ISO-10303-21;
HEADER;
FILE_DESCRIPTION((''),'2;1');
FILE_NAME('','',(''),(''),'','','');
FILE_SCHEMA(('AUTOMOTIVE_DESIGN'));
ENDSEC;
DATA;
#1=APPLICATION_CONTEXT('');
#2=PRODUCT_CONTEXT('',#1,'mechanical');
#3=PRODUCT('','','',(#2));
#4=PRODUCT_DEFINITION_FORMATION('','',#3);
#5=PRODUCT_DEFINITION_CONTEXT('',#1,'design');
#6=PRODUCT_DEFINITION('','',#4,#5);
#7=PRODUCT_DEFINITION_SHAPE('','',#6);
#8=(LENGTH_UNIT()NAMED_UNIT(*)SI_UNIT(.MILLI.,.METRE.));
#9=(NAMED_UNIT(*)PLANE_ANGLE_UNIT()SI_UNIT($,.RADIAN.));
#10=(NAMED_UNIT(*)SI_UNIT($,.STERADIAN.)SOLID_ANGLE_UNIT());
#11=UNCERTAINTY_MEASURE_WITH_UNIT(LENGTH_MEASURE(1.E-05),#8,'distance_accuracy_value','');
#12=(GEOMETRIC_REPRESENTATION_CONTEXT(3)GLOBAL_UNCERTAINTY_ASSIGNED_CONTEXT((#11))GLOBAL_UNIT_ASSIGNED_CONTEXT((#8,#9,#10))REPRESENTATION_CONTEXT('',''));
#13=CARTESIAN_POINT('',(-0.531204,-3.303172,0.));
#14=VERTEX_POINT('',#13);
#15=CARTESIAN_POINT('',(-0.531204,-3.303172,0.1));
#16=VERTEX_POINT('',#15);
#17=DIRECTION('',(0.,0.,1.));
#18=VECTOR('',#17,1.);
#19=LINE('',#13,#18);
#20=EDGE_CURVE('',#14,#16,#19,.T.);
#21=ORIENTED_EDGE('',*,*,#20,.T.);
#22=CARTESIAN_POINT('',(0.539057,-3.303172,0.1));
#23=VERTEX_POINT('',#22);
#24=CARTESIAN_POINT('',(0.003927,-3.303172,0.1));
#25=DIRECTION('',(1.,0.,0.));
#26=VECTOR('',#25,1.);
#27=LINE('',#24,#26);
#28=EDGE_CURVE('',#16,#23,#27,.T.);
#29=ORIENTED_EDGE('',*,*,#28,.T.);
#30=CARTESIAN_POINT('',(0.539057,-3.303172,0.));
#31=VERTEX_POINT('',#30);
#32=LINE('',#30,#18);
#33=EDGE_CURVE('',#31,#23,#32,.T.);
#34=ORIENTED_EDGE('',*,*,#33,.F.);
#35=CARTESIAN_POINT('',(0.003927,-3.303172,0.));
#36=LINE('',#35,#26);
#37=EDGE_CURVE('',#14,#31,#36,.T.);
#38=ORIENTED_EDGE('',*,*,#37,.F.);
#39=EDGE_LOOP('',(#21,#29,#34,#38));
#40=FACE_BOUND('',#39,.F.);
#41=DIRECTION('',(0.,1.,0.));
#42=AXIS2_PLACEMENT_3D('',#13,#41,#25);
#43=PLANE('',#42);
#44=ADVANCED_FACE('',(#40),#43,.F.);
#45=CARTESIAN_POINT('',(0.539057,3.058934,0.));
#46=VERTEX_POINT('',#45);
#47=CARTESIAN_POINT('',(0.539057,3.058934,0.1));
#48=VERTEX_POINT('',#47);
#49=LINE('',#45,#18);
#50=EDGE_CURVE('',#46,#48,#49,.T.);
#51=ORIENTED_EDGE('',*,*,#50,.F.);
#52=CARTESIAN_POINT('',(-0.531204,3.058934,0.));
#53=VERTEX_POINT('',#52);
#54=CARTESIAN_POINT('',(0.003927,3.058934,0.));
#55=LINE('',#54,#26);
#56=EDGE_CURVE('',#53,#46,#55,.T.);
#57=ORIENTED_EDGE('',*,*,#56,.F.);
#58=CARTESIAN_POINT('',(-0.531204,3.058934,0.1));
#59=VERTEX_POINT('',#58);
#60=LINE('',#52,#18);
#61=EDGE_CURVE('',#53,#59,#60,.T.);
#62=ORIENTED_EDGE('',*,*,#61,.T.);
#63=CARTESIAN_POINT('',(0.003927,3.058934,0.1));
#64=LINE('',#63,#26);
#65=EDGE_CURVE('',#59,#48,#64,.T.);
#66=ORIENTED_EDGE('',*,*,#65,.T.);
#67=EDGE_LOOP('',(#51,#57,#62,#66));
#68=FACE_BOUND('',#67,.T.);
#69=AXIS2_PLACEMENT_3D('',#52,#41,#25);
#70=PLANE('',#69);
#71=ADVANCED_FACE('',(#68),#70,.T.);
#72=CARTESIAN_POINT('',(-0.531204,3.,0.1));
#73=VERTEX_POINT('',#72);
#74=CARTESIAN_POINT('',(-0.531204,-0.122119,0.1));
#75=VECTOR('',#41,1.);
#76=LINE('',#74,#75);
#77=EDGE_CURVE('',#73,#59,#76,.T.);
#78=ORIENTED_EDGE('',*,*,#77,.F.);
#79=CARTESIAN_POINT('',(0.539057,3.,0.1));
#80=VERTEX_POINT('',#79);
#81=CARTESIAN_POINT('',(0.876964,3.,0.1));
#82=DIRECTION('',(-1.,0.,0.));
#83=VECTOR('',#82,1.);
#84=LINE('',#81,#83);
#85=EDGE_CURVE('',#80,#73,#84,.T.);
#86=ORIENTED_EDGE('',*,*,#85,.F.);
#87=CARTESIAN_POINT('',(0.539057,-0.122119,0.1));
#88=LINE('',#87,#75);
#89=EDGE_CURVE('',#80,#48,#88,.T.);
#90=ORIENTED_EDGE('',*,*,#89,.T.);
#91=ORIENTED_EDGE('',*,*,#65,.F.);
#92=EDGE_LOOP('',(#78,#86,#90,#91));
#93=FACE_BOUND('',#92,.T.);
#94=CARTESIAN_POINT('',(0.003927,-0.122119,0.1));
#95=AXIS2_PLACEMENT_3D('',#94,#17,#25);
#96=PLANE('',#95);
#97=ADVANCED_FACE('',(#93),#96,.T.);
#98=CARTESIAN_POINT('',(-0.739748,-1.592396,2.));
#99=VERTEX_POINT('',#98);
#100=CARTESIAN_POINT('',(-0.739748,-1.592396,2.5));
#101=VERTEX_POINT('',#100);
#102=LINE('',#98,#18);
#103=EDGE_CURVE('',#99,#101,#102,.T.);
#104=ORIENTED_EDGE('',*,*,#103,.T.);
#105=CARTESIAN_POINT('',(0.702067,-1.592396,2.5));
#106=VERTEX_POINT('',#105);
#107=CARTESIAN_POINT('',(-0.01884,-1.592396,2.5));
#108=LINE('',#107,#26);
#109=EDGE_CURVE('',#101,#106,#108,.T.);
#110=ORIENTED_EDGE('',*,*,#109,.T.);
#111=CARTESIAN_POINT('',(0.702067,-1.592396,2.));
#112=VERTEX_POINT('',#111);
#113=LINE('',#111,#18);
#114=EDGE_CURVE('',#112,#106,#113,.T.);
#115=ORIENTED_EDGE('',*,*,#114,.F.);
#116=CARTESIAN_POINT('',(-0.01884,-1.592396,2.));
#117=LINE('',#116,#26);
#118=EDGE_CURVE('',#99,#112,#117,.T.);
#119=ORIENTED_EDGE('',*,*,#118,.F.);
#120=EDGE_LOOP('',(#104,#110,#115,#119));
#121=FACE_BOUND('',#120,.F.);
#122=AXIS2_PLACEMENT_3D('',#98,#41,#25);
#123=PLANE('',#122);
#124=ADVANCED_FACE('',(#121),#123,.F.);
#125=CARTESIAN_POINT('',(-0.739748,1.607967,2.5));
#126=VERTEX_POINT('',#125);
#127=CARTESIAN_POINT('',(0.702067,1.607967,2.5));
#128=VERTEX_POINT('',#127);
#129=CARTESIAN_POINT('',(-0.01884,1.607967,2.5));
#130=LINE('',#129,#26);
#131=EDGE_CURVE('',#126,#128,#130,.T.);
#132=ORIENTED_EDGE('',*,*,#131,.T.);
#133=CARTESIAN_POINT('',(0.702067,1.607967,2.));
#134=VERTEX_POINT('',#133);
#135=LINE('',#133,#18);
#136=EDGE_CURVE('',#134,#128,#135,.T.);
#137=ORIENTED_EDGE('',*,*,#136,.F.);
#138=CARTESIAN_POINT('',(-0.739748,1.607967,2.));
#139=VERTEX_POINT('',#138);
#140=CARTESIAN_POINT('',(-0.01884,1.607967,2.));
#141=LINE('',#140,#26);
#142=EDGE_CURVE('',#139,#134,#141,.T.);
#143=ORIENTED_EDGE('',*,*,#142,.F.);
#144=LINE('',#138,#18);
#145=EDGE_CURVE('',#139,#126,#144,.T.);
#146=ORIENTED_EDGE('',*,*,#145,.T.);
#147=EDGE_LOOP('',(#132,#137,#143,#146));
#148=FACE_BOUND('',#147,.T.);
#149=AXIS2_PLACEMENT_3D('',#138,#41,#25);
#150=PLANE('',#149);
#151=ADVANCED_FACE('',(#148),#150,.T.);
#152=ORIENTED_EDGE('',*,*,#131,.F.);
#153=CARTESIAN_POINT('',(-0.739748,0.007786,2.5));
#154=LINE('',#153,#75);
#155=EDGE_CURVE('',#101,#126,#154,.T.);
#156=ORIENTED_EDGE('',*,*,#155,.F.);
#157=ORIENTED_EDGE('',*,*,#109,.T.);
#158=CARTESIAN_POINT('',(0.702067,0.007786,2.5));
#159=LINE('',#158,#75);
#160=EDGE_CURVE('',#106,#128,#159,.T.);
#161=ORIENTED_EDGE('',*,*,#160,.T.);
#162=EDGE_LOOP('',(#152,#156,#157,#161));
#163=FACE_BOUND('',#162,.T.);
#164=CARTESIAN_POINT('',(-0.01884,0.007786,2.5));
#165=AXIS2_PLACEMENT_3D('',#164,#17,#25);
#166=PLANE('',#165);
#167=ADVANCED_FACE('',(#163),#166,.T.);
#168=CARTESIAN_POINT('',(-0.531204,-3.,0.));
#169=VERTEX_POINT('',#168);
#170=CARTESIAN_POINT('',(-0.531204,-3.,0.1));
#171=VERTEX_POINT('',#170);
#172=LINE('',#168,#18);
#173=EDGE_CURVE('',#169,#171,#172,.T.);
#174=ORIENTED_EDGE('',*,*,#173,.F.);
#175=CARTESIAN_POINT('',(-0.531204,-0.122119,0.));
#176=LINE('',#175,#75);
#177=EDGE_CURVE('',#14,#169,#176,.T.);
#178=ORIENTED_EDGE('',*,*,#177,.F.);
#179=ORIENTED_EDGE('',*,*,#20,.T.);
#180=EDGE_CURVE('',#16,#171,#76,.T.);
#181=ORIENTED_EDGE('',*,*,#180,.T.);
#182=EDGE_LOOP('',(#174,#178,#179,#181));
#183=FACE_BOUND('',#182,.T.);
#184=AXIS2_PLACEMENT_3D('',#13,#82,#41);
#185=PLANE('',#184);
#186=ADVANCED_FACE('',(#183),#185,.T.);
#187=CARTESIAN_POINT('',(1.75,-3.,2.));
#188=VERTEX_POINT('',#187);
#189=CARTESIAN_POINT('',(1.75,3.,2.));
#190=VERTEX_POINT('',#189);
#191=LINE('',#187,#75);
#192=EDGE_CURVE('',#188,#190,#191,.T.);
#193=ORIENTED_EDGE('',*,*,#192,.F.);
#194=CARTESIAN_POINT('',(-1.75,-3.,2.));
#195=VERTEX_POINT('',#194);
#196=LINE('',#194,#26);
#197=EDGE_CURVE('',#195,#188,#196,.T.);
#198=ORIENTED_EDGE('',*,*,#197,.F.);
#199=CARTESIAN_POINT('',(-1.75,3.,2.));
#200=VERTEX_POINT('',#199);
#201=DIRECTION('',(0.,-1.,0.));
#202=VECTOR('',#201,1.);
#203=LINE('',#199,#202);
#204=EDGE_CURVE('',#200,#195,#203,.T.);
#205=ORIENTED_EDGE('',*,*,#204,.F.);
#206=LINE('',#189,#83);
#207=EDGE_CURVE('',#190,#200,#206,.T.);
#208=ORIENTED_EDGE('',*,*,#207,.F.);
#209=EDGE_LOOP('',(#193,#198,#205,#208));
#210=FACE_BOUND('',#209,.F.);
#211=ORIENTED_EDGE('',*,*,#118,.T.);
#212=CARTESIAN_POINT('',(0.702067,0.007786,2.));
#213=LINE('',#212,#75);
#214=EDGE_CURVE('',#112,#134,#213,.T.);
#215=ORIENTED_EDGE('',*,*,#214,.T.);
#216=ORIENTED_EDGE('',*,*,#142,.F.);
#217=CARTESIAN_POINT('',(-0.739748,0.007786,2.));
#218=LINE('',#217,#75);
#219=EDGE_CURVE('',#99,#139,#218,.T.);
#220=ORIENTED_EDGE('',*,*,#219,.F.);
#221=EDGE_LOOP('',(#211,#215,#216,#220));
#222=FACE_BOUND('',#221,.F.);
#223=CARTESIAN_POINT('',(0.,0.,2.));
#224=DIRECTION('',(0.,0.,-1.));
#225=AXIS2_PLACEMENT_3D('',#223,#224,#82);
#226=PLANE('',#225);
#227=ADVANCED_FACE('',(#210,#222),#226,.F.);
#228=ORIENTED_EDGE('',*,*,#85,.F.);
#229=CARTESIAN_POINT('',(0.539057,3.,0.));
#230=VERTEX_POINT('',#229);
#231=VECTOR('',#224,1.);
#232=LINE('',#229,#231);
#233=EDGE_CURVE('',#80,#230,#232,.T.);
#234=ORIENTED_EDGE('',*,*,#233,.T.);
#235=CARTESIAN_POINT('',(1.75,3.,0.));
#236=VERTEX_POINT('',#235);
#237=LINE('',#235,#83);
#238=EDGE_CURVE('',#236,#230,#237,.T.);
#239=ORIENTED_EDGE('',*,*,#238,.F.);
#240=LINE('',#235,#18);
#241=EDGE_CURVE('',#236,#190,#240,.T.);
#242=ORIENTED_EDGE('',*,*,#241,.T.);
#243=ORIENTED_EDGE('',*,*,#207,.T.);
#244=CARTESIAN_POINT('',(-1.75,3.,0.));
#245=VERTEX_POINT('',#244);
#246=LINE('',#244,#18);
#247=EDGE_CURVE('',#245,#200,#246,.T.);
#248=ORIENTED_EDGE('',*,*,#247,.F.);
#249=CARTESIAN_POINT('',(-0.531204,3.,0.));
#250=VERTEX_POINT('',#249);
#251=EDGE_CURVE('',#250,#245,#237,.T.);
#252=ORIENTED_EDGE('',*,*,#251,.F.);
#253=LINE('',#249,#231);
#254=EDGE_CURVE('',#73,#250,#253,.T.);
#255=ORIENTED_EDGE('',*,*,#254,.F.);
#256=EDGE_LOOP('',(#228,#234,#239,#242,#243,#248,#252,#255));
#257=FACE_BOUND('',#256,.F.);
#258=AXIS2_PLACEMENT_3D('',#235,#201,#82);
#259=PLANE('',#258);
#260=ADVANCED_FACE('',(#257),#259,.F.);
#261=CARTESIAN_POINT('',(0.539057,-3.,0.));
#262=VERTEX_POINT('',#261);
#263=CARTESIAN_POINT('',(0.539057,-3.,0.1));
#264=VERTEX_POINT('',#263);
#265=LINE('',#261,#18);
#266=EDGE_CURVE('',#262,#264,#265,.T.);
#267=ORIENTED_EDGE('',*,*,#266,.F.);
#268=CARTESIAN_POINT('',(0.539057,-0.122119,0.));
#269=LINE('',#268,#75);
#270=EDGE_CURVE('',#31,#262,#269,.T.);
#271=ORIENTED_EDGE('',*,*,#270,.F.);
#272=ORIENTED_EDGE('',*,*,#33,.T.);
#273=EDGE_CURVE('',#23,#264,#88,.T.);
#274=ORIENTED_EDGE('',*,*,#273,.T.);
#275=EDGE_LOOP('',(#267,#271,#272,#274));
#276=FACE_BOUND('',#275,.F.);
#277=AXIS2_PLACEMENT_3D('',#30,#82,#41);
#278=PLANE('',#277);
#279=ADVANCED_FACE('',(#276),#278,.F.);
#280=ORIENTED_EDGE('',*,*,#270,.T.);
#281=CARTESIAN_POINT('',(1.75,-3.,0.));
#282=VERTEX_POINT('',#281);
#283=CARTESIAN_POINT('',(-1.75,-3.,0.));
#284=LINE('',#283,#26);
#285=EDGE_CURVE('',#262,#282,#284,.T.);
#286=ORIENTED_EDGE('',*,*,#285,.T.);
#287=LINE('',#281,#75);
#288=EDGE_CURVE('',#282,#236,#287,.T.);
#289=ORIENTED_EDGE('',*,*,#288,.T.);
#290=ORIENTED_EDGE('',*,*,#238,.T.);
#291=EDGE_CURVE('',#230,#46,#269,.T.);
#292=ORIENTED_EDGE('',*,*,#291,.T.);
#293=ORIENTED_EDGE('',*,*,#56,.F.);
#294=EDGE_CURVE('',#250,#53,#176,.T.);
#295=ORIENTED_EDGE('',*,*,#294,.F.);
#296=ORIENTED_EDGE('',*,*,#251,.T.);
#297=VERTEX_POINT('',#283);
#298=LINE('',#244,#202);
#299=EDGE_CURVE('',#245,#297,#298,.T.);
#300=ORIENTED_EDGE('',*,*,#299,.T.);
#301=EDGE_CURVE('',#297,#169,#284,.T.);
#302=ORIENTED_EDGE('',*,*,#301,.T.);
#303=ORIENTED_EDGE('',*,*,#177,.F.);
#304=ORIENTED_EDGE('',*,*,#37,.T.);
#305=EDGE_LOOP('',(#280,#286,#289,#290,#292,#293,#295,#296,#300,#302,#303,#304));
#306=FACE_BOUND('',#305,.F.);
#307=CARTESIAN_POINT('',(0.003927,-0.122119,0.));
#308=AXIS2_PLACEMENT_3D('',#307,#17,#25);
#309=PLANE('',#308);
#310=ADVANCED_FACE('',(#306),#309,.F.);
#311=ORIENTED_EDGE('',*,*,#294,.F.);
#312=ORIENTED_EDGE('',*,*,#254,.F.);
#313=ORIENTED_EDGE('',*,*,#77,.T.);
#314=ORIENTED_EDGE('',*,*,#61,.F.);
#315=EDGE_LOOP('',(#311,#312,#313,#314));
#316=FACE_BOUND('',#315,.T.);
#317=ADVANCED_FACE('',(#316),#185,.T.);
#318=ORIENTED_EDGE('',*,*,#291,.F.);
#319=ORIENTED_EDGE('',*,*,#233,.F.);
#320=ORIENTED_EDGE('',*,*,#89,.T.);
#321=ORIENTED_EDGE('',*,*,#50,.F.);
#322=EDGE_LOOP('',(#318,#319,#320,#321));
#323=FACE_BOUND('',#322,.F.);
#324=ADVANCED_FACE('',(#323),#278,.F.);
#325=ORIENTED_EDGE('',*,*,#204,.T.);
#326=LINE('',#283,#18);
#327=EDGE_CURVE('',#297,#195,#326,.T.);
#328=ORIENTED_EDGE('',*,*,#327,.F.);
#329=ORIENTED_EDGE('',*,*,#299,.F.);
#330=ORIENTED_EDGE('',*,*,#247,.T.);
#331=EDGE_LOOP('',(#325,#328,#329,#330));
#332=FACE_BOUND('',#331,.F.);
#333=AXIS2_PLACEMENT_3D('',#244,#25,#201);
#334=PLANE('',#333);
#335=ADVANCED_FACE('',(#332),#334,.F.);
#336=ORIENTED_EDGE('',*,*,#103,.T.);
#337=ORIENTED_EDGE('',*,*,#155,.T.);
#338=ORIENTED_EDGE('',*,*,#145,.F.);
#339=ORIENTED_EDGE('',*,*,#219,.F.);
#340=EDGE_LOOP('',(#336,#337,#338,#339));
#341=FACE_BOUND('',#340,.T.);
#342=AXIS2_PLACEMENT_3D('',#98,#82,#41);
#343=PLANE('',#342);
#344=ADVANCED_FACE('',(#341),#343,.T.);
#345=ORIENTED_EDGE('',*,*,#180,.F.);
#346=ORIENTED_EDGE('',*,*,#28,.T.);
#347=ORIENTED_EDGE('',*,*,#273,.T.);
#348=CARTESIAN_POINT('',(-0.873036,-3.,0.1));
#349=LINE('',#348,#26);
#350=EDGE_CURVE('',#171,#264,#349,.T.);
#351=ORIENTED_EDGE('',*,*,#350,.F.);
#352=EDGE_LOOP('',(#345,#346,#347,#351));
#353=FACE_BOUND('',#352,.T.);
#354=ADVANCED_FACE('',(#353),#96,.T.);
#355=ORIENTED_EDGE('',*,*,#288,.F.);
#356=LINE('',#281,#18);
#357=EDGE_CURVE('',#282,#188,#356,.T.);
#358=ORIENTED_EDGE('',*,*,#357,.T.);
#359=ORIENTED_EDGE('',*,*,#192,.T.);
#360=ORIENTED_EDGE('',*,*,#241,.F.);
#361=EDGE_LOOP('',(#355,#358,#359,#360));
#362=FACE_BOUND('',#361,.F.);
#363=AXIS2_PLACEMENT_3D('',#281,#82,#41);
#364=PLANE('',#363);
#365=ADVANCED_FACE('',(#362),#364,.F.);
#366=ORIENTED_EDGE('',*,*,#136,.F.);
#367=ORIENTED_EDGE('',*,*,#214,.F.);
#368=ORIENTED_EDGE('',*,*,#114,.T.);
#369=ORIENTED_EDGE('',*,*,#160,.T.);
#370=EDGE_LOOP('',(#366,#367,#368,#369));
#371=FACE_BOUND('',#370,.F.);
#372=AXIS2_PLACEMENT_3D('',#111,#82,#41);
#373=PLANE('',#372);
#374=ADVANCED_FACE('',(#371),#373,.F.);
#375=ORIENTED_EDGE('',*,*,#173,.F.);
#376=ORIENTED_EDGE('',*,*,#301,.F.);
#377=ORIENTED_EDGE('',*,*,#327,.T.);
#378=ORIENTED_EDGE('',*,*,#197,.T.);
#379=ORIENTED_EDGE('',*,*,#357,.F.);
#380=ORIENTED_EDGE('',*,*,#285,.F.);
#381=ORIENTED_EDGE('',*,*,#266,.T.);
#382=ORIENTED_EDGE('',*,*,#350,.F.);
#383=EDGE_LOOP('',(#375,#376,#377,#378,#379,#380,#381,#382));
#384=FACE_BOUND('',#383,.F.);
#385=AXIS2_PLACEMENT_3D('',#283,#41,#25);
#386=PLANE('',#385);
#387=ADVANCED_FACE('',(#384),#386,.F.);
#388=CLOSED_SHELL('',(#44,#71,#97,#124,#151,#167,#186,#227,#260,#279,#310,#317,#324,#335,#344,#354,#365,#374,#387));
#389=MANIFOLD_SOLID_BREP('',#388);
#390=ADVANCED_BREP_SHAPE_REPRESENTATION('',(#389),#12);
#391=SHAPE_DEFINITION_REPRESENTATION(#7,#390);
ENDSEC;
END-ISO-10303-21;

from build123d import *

# Parameters (mm, degrees)
PAD_DEPTH    = 2
SKETCH001_W  = 1.441815
SKETCH001_H  = 3.200363
PAD001_DEPTH = 0.5
SKETCH002_W  = 1.070261
SKETCH002_H  = 6.362106
PAD002_DEPTH = 0.1


with BuildPart() as part:
    # Sketch → Pad (new body)
    with BuildSketch(Plane.XY):
        Polygon((0, 3), (1.75, 3), (1.75, 0), (1.75, -3), (0, -3), (-1.75, -3), (-1.75, 0), (-1.75, 3), align=None)
    extrude(amount=PAD_DEPTH)

    # Sketch001 → Pad001 (join)
    with BuildSketch(Plane(origin=(0.5, -2.5, 2), x_dir=(1, 0, 0), z_dir=(0, 0, 1))):
        with Locations((-0.51884, 2.507786)):
            Rectangle(SKETCH001_W, SKETCH001_H)
    extrude(amount=PAD001_DEPTH)

    # Sketch002 → Pad002 (join)
    with BuildSketch(Plane.XY):
        with Locations((0.003927, -0.122119)):
            Rectangle(SKETCH002_W, SKETCH002_H)
    extrude(amount=PAD002_DEPTH)


solid = part.part
